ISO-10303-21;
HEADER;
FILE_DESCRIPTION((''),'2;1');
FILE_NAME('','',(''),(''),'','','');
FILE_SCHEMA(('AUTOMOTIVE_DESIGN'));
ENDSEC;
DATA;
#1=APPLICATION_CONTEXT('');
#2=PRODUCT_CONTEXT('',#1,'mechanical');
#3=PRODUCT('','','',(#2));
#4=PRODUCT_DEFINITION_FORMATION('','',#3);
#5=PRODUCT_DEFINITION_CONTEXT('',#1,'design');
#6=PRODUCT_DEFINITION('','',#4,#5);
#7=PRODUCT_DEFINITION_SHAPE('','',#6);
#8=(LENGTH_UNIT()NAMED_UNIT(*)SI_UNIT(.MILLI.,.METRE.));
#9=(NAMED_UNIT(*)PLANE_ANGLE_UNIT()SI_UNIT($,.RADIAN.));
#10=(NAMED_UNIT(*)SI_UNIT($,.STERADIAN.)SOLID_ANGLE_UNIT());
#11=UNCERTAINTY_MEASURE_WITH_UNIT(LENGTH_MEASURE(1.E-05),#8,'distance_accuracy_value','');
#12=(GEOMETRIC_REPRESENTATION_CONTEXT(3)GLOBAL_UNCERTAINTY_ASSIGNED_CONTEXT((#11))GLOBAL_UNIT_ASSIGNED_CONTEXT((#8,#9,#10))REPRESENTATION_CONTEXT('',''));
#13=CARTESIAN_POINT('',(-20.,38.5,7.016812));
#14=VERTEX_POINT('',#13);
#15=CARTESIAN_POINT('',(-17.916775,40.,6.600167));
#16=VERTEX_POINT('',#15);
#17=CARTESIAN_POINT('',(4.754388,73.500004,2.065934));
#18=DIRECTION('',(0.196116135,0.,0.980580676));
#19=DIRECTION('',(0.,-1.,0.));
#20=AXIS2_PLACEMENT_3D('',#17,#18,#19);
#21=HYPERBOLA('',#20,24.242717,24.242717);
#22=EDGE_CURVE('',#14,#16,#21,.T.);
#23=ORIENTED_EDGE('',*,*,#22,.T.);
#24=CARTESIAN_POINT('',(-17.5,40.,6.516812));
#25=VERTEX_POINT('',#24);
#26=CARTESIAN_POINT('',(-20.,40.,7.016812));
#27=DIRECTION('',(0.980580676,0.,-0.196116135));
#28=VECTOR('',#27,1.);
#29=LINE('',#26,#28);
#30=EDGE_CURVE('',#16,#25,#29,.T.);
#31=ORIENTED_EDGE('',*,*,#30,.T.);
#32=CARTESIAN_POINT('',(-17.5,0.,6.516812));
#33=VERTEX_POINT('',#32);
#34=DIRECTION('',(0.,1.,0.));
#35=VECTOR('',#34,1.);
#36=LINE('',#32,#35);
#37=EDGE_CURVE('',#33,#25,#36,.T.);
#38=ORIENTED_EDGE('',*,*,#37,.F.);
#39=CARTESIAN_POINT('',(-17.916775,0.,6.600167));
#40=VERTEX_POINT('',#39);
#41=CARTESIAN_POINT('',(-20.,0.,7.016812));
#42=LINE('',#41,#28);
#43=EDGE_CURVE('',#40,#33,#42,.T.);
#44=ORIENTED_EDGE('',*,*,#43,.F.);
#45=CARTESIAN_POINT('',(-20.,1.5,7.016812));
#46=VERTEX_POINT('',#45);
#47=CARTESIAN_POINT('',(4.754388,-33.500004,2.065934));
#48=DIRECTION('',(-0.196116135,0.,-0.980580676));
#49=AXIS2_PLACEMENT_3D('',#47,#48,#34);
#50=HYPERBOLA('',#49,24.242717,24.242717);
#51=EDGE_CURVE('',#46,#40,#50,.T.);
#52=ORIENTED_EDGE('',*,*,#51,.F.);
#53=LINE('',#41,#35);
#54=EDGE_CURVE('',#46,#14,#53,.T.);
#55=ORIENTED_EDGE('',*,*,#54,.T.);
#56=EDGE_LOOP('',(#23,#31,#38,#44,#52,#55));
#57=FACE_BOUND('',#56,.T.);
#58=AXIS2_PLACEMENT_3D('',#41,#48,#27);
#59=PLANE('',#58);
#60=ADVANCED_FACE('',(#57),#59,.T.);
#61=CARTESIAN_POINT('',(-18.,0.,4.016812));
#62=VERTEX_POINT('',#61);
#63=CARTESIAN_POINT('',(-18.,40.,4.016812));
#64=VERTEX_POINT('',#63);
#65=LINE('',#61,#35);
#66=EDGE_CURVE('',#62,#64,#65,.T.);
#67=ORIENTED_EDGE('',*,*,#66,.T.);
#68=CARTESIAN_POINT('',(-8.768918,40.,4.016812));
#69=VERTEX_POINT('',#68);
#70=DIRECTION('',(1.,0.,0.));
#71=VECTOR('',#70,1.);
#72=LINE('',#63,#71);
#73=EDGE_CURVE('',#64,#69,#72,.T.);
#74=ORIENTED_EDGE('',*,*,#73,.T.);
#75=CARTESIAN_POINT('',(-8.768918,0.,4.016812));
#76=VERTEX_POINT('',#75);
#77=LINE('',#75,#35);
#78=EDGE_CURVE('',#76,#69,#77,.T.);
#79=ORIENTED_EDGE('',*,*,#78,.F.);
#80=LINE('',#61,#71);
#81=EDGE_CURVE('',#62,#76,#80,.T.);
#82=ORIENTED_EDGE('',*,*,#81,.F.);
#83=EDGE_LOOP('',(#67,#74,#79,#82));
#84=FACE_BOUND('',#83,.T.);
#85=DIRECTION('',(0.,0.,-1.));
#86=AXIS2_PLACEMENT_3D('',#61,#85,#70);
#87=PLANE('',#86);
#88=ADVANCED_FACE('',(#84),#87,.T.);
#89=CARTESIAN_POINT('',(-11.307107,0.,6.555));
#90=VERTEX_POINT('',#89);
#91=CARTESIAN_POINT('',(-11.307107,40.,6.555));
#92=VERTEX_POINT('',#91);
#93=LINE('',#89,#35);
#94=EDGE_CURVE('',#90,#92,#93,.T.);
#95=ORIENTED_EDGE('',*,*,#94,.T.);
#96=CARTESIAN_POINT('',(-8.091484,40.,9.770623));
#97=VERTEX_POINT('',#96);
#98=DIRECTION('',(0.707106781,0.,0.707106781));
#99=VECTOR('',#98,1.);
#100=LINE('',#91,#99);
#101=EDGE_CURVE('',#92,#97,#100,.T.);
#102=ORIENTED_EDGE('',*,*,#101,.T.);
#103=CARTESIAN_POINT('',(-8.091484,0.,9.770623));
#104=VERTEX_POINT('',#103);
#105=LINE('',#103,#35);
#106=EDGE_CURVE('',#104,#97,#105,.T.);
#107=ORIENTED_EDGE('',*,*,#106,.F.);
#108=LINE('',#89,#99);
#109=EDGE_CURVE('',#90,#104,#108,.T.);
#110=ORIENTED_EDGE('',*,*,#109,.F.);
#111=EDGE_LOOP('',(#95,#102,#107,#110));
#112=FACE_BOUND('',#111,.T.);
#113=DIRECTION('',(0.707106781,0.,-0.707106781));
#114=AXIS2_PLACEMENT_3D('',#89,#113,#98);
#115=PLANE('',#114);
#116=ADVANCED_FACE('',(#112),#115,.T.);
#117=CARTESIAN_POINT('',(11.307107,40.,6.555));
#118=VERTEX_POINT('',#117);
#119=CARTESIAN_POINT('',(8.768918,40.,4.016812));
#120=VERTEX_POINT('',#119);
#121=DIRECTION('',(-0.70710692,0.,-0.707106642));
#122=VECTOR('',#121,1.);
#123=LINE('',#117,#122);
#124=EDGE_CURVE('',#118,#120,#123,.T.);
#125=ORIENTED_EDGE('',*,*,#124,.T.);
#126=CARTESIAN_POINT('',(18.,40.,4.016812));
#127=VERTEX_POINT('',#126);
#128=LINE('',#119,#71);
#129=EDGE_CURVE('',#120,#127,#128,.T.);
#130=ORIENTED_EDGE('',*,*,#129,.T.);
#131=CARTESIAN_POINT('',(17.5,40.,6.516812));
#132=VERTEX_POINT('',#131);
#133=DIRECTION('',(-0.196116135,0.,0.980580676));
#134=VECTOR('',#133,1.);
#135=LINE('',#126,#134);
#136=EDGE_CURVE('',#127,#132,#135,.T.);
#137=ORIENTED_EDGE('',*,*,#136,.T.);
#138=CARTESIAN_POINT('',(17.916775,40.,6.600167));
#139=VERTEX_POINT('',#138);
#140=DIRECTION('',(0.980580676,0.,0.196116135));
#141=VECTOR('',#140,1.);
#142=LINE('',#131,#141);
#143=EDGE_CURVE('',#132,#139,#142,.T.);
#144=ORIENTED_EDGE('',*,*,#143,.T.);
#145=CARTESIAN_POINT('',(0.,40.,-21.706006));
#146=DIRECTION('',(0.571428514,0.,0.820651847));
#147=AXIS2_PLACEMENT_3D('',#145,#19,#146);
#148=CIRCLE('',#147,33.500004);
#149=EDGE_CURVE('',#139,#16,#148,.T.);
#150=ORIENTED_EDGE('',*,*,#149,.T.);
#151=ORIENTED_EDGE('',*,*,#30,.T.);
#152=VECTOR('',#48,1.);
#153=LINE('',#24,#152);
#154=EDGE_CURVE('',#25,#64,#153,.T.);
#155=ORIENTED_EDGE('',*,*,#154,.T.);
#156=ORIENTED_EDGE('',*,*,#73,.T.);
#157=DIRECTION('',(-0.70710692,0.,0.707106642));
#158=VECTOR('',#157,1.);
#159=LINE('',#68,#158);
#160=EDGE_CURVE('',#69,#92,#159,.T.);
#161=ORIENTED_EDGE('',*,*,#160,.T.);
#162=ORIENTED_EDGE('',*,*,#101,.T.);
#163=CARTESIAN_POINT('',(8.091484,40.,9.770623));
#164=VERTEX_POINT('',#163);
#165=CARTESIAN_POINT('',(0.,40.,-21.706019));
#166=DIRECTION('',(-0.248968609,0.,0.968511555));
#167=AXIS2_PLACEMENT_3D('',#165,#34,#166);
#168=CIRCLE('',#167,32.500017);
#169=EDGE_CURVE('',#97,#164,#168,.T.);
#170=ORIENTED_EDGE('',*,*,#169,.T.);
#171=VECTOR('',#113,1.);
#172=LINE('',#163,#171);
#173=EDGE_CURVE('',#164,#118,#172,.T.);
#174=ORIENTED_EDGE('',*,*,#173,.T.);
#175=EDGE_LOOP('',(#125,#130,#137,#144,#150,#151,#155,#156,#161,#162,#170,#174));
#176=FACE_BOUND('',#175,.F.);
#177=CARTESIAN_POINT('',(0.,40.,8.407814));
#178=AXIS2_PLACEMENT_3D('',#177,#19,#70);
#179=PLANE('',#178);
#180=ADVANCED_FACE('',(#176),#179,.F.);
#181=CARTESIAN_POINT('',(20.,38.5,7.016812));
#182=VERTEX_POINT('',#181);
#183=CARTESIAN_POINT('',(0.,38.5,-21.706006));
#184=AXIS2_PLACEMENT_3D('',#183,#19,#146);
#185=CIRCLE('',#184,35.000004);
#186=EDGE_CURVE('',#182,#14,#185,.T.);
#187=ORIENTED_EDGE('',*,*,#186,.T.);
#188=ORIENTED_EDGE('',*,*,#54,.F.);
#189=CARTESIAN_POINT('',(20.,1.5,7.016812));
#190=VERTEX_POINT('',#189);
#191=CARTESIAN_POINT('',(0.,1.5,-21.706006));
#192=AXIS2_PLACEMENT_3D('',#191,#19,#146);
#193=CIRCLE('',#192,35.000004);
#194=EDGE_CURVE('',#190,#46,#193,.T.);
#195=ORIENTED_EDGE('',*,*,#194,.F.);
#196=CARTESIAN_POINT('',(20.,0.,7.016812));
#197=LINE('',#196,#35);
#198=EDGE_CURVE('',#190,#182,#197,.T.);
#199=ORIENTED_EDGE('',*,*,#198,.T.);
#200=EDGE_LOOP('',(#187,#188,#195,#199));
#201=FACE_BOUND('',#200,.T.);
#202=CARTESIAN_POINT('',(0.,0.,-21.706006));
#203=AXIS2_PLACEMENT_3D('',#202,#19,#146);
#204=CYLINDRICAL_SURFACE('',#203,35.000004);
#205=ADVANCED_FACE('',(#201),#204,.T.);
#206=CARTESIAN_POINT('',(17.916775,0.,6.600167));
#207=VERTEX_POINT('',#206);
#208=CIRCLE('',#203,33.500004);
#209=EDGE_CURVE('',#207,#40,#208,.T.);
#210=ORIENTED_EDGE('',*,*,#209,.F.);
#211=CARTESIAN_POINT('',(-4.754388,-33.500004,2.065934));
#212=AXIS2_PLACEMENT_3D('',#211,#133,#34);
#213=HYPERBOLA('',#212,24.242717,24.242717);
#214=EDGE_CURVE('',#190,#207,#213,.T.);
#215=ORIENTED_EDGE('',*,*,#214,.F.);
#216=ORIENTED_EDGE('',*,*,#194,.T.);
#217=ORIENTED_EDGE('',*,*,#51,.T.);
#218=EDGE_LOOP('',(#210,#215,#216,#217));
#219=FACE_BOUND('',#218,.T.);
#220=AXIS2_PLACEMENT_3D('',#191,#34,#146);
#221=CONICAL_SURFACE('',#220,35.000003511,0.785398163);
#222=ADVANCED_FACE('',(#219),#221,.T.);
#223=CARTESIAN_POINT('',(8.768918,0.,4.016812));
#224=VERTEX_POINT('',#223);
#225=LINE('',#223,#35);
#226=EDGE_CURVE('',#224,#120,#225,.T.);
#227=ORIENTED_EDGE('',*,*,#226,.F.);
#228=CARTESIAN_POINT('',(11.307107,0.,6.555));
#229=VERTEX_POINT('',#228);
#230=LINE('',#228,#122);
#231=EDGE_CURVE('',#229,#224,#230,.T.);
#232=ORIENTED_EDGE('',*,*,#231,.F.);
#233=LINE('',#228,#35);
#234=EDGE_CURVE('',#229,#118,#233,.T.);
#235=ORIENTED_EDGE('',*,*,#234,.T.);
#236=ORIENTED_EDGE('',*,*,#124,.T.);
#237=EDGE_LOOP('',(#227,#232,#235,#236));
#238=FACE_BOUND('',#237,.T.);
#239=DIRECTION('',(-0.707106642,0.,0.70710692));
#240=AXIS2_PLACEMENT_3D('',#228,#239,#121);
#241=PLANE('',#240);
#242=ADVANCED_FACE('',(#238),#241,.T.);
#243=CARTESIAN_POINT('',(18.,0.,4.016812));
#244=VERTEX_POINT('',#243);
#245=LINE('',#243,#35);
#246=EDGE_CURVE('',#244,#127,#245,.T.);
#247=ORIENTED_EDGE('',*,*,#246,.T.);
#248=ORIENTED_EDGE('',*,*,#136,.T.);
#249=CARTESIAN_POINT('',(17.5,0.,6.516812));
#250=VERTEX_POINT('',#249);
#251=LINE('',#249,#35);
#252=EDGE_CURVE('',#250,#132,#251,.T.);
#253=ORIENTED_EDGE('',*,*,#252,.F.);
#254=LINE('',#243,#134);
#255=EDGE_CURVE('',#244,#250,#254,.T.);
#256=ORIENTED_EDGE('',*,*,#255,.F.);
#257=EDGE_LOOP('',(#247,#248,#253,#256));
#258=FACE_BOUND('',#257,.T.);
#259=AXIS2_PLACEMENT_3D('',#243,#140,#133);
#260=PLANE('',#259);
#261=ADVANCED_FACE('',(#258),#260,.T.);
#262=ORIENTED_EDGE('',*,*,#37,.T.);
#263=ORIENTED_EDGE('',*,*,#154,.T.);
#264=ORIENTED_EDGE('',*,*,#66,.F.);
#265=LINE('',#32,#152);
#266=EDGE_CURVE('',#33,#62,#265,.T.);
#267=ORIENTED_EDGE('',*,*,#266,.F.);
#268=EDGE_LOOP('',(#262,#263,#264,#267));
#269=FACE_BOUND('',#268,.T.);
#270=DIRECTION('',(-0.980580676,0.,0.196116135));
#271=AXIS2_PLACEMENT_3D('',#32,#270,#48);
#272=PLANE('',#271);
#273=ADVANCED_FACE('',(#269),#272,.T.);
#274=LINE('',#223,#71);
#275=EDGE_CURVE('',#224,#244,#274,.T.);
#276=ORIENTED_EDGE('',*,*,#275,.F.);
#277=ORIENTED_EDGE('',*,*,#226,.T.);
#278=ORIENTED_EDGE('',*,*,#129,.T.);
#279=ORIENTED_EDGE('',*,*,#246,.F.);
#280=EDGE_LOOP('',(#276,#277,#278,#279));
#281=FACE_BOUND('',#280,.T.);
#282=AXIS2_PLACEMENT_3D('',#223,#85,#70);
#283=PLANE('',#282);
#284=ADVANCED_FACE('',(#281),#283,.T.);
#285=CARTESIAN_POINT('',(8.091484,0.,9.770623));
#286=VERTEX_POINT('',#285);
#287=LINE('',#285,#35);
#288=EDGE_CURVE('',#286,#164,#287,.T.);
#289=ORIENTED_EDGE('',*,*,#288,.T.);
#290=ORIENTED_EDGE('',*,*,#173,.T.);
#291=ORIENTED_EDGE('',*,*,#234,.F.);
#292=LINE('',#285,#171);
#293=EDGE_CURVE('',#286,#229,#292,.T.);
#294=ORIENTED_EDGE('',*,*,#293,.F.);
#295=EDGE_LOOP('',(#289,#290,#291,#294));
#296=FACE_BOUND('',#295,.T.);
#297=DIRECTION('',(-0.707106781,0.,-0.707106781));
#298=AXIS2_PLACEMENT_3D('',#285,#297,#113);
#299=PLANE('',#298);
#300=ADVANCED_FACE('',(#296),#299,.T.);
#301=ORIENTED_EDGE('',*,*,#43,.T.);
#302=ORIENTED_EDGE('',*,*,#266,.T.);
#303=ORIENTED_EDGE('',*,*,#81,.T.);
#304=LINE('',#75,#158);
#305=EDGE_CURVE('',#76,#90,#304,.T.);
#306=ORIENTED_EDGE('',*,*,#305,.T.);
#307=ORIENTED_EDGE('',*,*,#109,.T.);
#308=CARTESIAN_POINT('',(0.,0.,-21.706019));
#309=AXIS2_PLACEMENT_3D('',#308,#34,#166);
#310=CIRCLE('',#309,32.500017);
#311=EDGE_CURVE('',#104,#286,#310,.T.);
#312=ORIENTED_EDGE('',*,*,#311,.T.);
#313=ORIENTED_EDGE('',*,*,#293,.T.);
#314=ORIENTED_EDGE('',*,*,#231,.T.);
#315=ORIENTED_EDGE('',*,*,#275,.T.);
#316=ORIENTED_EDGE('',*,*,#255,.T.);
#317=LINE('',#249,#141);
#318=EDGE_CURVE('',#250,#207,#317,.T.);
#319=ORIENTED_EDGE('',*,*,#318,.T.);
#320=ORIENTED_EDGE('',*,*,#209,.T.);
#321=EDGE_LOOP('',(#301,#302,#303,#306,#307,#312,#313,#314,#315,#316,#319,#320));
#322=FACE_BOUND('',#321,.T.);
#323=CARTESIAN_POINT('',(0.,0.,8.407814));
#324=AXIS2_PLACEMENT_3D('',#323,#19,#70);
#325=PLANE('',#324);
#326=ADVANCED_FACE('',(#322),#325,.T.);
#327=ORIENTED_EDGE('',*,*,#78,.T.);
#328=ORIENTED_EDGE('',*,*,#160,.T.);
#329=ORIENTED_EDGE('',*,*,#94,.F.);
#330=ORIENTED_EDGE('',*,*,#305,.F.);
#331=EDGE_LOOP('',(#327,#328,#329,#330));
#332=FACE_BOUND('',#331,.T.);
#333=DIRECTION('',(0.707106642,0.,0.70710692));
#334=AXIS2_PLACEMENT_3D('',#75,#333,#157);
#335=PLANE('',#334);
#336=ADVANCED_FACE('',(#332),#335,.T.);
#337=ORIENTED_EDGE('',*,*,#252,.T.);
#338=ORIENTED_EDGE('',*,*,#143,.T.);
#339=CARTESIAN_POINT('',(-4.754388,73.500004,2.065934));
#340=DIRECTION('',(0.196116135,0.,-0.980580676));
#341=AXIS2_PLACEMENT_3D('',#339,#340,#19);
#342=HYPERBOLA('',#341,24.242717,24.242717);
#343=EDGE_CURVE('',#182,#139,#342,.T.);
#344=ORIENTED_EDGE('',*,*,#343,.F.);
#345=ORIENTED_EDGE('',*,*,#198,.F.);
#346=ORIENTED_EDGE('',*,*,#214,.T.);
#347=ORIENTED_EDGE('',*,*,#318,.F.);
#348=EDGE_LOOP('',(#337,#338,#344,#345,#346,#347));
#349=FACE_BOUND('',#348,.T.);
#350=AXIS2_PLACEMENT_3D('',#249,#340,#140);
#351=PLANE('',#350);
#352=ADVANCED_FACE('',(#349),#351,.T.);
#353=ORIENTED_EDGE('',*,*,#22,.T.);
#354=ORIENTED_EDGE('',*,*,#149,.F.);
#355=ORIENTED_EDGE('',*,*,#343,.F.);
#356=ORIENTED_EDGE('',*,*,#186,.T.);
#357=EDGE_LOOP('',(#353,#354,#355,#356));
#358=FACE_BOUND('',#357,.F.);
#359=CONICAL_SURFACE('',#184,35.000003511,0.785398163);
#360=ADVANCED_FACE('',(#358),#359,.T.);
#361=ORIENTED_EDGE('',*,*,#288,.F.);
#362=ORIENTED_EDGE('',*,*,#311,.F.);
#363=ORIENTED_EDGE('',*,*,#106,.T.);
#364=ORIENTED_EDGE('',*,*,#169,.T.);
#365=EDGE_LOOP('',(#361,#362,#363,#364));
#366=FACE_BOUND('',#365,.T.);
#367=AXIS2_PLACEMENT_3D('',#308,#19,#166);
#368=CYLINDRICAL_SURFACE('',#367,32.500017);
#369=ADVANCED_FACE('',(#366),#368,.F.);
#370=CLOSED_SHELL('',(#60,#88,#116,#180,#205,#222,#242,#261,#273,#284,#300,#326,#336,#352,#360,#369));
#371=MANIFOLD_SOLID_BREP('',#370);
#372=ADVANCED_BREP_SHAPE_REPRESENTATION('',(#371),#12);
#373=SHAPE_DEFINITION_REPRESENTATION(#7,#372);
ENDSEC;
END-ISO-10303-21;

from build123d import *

# Parameters (mm, degrees)
F1_DEPTH = 40
F2_SIZE  = 1.5


with BuildPart() as f1:
    # F0 (on Front) → F1 (new body)
    with BuildSketch(Plane.XZ):
        with BuildLine():
            Line((11.307107, 6.555), (8.768918, 4.016812))
            Line((8.768918, 4.016812), (18, 4.016812))
            Line((18, 4.016812), (17.5, 6.516812))
            Line((17.5, 6.516812), (20, 7.016812))
            ThreePointArc((20, 7.016812), (0, 13.293998), (-20, 7.016812))
            Line((-20, 7.016812), (-17.5, 6.516812))
            Line((-17.5, 6.516812), (-18, 4.016812))
            Line((-18, 4.016812), (-8.768918, 4.016812))
            Line((-8.768918, 4.016812), (-11.307107, 6.555))
            Line((-11.307107, 6.555), (-8.091484, 9.770623))
            ThreePointArc((-8.091484, 9.770623), (0, 10.793998), (8.091484, 9.770623))
            Line((8.091484, 9.770623), (11.307107, 6.555))
        make_face()
    extrude(amount=-F1_DEPTH)

    # F2
    f2_edges = [f1.edges().sort_by_distance(p)[0] for p in [
        (0, 0, 13.293998),
        (0, 40, 13.293998),
    ]]
    chamfer(f2_edges, length=F2_SIZE)


solid = f1.part
